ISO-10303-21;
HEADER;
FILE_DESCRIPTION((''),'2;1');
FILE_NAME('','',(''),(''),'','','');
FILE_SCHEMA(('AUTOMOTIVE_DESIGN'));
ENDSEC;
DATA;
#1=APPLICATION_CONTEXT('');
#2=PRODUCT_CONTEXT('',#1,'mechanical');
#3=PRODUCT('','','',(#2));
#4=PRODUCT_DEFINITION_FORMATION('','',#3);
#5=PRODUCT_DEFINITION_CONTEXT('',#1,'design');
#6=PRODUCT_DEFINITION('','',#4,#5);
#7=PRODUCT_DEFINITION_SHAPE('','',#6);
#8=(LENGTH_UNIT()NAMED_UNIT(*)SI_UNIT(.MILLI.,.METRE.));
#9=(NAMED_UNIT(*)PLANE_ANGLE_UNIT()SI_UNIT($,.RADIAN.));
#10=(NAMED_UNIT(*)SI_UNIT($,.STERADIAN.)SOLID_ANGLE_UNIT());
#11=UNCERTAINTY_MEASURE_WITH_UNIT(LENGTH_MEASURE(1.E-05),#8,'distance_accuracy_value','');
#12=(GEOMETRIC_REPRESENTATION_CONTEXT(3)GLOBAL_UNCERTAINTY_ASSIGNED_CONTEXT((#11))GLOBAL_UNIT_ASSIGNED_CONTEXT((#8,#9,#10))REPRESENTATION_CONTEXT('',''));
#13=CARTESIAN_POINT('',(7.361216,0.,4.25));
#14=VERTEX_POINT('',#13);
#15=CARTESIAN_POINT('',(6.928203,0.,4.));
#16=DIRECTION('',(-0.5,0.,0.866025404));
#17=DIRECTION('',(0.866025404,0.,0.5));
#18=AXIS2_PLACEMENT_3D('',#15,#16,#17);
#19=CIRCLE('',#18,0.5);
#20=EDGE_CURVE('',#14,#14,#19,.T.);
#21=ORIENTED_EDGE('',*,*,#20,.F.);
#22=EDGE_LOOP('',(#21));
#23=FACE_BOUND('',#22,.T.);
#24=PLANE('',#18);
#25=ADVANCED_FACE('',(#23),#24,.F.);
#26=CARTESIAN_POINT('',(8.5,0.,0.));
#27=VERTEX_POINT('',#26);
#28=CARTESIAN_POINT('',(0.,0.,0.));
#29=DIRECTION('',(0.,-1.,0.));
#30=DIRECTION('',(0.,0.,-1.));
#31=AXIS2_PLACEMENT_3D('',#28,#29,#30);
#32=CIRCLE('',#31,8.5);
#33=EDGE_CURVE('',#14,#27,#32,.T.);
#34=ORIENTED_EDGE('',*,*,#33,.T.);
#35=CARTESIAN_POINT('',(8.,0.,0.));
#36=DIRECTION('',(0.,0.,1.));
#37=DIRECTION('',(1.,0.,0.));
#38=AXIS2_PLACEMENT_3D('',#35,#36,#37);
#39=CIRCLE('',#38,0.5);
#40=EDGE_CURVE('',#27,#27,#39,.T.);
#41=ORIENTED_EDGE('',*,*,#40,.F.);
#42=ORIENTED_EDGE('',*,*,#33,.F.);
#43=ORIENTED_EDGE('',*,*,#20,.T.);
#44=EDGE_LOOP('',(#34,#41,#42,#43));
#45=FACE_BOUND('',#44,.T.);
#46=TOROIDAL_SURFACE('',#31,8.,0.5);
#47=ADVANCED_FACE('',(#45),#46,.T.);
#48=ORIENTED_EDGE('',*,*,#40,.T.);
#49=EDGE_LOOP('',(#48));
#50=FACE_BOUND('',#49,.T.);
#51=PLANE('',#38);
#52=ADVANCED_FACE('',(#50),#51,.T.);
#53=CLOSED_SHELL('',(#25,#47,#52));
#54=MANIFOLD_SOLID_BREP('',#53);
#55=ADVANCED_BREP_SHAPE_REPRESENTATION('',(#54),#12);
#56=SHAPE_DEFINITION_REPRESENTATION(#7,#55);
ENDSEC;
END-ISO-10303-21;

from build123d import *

# Parameters (mm, degrees)
SKETCH1_R      = 0.5
REVOLVE1_ANGLE = 330


with BuildPart() as part:
    # Sketch1 → Revolve1 (revolve)
    with BuildSketch(Plane.XY):
        with Locations((8, 0)):
            Circle(SKETCH1_R)
    revolve(axis=Axis((0, 0, 0), (0, 1, 0)), revolution_arc=REVOLVE1_ANGLE)


solid = part.part
